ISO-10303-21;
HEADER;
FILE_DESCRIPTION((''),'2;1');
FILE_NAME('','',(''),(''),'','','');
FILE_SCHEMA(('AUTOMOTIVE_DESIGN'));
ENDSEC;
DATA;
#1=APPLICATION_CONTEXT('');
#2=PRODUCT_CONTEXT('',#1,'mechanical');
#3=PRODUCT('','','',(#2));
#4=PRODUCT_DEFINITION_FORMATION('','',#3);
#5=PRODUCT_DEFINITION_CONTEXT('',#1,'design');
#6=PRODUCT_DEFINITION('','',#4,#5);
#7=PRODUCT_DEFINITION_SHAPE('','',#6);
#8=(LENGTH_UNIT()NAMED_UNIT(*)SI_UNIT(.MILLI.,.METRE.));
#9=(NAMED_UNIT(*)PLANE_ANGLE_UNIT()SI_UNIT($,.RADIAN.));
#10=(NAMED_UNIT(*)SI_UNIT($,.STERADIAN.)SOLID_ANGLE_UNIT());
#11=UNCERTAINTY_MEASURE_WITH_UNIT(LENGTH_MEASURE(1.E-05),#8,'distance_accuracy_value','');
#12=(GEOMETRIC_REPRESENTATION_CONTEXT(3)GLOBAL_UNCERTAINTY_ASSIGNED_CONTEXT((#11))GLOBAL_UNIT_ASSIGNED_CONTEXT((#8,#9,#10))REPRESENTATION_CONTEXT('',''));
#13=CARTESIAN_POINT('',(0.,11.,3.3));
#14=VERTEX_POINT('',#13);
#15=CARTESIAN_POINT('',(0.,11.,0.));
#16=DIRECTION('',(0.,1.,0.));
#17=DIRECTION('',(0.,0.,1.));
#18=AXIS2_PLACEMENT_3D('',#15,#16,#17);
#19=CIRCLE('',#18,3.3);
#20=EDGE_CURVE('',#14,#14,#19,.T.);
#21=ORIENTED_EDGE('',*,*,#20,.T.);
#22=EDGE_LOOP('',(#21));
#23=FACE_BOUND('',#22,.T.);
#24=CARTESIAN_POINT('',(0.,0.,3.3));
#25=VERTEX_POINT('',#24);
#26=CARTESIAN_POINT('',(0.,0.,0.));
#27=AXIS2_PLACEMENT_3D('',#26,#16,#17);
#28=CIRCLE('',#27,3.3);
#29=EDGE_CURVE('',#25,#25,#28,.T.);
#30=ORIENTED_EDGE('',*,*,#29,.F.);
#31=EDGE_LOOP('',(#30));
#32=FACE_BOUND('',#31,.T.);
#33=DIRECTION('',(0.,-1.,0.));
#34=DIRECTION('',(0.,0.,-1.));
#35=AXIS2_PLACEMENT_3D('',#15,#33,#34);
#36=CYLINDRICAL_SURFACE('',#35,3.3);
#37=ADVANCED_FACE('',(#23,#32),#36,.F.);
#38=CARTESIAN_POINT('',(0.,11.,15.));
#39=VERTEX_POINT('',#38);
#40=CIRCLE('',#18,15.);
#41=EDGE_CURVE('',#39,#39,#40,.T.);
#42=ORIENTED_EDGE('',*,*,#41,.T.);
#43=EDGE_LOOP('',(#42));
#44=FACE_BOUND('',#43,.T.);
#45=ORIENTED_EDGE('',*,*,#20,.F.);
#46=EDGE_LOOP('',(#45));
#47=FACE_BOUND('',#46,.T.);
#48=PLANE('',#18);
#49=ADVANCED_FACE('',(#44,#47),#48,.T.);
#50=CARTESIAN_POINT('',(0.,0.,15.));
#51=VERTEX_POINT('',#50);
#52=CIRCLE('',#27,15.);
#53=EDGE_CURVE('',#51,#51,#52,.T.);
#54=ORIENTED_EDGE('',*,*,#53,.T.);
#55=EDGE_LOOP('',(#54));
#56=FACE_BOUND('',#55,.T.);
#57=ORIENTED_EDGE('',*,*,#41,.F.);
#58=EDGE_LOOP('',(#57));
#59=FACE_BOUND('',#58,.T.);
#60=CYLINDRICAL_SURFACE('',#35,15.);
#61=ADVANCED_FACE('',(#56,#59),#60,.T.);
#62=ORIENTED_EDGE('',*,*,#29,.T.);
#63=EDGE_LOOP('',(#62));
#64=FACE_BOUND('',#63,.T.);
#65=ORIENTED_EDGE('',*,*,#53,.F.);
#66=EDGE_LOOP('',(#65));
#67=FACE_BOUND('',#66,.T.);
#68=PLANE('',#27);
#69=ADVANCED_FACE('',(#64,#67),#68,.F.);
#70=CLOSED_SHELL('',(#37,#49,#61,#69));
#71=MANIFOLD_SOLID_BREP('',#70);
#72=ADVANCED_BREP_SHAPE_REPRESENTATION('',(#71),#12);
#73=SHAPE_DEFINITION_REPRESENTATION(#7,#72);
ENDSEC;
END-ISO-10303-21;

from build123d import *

# Parameters (mm, degrees)
SKIZZE1_R                       = 15
SKIZZE1_R_2                     = 3.3
AUFSATZ_LINEAR_AUSTRAGEN1_DEPTH = 11


with BuildPart() as part:
    # Skizze1 → Aufsatz-Linear austragen1 (new body)
    with BuildSketch(Plane(origin=(0, 0, 0), x_dir=(1, 0, 0), z_dir=(0, 1, 0))):
        with Locations(Location((0, 0, 0), (0, 0, 270))):
            Circle(SKIZZE1_R)
        with Locations(Location((0, 0, 0), (0, 0, 270))):
            Circle(SKIZZE1_R_2, mode=Mode.SUBTRACT)
    extrude(amount=AUFSATZ_LINEAR_AUSTRAGEN1_DEPTH)


solid = part.part
